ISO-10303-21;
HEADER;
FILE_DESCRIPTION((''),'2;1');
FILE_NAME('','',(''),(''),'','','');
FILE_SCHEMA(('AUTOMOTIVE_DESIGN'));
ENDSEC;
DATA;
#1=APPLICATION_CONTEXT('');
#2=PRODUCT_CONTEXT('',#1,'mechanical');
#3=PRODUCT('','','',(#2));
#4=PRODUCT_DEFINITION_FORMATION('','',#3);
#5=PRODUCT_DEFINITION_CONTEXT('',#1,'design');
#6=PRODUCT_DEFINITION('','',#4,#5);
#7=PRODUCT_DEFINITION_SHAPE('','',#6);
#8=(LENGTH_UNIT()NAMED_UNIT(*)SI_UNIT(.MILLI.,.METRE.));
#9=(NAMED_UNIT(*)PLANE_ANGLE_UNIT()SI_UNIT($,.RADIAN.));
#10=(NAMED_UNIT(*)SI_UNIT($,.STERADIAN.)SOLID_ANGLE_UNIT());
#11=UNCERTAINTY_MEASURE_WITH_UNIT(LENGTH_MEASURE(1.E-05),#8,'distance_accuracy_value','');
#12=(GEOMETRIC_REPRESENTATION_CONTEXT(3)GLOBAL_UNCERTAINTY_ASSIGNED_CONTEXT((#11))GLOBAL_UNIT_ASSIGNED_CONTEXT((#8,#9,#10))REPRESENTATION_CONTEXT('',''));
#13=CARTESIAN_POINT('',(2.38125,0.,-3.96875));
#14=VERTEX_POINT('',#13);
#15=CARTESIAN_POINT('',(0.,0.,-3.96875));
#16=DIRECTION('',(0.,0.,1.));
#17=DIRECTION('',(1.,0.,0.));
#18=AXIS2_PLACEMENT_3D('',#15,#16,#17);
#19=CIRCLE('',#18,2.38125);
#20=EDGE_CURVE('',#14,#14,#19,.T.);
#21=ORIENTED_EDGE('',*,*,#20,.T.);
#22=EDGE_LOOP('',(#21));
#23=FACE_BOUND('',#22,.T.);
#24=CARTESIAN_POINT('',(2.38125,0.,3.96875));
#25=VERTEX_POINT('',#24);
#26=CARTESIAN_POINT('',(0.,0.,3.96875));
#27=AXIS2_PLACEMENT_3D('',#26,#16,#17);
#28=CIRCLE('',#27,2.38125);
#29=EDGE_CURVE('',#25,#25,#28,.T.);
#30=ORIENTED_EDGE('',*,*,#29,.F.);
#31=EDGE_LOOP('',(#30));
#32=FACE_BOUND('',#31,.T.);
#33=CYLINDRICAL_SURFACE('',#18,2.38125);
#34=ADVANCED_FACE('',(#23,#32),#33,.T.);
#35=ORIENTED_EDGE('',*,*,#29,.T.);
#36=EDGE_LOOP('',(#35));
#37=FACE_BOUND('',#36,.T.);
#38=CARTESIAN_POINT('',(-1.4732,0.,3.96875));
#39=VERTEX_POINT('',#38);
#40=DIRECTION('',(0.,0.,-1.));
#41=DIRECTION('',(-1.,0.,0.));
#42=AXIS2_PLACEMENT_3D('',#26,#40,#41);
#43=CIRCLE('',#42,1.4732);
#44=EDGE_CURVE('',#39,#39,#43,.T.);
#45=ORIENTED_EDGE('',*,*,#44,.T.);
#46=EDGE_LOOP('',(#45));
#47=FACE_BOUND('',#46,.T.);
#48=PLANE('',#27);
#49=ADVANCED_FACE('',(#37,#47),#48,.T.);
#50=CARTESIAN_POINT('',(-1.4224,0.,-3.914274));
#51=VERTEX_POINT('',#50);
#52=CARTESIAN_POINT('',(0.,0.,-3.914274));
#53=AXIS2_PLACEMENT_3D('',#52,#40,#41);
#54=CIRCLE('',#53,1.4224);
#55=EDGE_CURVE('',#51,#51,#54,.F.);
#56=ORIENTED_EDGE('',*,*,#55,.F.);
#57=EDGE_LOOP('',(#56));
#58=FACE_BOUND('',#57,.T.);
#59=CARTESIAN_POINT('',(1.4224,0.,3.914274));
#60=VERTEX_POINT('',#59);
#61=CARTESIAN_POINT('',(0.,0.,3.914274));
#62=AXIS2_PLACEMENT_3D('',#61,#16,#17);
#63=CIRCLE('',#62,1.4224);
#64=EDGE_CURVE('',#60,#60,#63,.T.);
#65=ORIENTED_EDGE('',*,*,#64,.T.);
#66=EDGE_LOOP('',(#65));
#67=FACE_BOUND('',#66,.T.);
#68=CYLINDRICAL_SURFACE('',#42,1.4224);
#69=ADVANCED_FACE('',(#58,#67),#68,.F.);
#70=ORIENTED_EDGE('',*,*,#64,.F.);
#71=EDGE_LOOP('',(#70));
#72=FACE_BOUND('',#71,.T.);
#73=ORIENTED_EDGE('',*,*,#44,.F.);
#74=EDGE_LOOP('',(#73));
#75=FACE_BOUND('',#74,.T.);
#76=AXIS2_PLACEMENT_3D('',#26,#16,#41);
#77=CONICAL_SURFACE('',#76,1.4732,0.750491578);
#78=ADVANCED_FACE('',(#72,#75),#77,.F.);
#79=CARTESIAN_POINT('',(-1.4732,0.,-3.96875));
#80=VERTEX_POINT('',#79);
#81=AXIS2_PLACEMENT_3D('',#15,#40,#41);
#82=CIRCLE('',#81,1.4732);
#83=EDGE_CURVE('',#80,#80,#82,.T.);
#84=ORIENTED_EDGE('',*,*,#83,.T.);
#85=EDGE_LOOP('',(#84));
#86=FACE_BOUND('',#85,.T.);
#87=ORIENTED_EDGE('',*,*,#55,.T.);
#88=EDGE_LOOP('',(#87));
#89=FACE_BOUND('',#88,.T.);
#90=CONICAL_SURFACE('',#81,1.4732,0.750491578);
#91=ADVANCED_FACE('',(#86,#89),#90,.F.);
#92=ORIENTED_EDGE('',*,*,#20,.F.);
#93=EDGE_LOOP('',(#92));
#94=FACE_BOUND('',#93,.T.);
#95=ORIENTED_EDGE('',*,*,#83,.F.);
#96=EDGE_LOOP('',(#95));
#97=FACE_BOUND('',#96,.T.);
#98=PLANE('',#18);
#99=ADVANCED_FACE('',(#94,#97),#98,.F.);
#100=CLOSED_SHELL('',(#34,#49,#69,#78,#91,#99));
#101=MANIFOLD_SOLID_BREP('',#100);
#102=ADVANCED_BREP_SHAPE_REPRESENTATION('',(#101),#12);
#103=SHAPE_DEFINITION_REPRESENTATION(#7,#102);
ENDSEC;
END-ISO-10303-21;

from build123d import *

# Parameters (mm, degrees)
EXTRUDE1_DEPTH      = 3.96875
EXTRUDE1_DEPTH_BACK = 3.96875
SKETCH1_R           = 3.175
SKETCH1_R_2         = 1.4224
SKETCH13_OUTSIDE_W  = 10.748
SKETCH13_OUTSIDE_H  = 10.748
SKETCH13_OUTSIDE_R  = 2.38125
CUT_EXTRUDE1_DEPTH  = 10.119493201


with BuildPart() as part:
    # Sketch1 → Extrude1 (new, two sides: drawn at the far end of the back side and taken through both)
    with BuildSketch(Plane.XY.offset(-EXTRUDE1_DEPTH_BACK)):
        Circle(SKETCH1_R)
        Circle(SKETCH1_R_2, mode=Mode.SUBTRACT)
    extrude(amount=EXTRUDE1_DEPTH + EXTRUDE1_DEPTH_BACK)

    # Extrude3 cone 1 section (through the dimple's axis) → Extrude3 (revolve, cut)
    with BuildSketch(Plane(origin=(0, 0, -3.96875), x_dir=(0, 1, 0), z_dir=(1, 0, 0))):
        Polygon((0, 0), (1.4732, 0), (0, 1.579813584), align=None)
    extrude3 = revolve(axis=Axis((0, 0, -3.96875), (0, 0, 1)), mode=Mode.SUBTRACT)

    # Mirror1: Extrude3 across plane
    add(extrude3.mirror(Plane.XY), mode=Mode.SUBTRACT)

    # Sketch13 outside → Cut-Extrude1 (cut, through all)
    with BuildSketch(Plane.XY.offset(3.96875)):
        Rectangle(SKETCH13_OUTSIDE_W, SKETCH13_OUTSIDE_H)
        Circle(SKETCH13_OUTSIDE_R, mode=Mode.SUBTRACT)
    extrude(amount=-CUT_EXTRUDE1_DEPTH, mode=Mode.SUBTRACT)


solid = part.part
